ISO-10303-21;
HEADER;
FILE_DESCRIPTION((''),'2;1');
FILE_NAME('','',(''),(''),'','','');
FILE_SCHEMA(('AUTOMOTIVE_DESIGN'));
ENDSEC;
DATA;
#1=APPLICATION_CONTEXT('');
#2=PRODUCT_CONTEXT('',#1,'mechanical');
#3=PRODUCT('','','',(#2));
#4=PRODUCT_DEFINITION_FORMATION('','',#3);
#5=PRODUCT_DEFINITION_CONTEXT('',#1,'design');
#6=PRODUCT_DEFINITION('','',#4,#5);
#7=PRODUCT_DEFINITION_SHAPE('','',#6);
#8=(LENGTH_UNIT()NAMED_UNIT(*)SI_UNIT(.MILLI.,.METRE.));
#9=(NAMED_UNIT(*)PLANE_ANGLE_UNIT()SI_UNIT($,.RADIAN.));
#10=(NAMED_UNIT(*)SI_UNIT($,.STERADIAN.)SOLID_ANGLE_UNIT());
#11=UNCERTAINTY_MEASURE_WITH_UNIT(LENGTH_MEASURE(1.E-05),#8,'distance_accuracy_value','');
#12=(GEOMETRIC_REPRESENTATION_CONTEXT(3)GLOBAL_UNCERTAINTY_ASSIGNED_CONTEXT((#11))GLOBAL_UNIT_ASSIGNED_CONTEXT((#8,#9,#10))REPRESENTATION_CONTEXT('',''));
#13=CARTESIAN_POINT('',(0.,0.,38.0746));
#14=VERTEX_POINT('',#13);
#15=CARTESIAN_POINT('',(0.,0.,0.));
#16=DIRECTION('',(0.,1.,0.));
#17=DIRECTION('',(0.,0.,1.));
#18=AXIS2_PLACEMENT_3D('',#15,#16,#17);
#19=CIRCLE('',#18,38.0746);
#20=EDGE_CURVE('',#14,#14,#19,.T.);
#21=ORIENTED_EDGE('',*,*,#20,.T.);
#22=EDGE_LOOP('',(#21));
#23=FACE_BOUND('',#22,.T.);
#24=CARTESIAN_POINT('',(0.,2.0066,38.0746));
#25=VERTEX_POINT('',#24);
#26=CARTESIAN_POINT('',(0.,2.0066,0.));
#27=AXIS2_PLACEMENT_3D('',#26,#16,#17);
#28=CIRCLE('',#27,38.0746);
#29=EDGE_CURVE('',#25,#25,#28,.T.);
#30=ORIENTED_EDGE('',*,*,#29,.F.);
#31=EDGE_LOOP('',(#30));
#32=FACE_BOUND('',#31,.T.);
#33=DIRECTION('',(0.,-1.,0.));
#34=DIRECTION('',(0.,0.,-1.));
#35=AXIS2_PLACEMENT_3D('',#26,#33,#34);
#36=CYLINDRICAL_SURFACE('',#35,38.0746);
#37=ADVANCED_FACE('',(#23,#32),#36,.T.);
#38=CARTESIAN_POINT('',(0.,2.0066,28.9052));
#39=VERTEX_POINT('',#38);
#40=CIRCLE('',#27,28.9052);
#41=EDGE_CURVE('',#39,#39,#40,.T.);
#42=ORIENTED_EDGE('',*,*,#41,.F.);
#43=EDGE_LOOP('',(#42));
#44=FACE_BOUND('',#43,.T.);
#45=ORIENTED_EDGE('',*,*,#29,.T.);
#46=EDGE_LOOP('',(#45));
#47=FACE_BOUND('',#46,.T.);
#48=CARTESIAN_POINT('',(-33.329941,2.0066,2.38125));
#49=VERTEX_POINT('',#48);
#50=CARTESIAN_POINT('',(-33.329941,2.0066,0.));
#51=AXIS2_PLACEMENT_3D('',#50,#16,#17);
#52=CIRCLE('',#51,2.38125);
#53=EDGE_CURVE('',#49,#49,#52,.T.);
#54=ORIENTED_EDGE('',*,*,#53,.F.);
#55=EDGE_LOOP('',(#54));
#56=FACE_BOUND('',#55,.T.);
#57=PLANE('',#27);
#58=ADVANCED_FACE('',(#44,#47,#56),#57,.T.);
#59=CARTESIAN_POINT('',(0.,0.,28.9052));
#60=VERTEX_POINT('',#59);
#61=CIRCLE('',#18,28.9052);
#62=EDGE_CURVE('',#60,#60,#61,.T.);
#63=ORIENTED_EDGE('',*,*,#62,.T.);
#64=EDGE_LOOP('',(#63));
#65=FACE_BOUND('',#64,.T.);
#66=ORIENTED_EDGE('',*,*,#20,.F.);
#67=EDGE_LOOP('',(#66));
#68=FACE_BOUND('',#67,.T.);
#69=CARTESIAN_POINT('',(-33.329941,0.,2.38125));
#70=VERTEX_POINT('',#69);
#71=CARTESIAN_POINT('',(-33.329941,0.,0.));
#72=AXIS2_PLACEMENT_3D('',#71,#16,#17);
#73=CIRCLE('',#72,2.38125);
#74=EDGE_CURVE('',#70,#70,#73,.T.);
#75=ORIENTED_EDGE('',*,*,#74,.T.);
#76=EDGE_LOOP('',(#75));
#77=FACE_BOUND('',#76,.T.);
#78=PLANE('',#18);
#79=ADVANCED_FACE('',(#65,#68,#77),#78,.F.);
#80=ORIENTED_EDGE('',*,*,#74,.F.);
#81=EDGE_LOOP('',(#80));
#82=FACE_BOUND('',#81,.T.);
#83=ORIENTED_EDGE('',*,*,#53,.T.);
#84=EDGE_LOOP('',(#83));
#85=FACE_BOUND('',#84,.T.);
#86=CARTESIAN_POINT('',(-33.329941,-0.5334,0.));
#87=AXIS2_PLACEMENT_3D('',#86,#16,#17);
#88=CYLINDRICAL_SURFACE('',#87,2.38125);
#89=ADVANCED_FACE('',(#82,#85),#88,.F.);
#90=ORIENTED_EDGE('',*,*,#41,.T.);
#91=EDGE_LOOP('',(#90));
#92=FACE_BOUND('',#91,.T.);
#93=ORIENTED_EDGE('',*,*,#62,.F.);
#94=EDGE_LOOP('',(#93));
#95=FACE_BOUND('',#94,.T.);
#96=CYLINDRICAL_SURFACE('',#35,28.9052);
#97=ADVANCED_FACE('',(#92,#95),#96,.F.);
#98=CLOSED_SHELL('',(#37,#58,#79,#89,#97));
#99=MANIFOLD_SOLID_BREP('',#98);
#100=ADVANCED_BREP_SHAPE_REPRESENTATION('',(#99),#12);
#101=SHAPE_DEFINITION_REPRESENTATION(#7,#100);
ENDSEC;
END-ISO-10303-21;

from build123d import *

# Parameters (mm, degrees)
SKETCH1_R           = 38.0746
SKETCH1_R_2         = 28.9052
BOSS_EXTRUDE1_DEPTH = 2.0066
SKETCH2_R           = 2.38125
CUT_EXTRUDE2_DEPTH  = 2.54


with BuildPart() as part:
    # Sketch1 → Boss-Extrude1 (new body)
    with BuildSketch(Plane(origin=(0, 0, 0), x_dir=(1, 0, 0), z_dir=(0, 1, 0))):
        with Locations(Location((0, 0, 0), (0, 0, 270))):
            Circle(SKETCH1_R)
        with Locations(Location((0, 0, 0), (0, 0, 270))):
            Circle(SKETCH1_R_2, mode=Mode.SUBTRACT)
    extrude(amount=BOSS_EXTRUDE1_DEPTH)

    # Sketch2 → Cut-Extrude2 (cut)
    with BuildSketch(Plane(origin=(0, 2.0066, 0), x_dir=(1, 0, 0), z_dir=(0, 1, 0))):
        with Locations(Location((-33.329941143, 0, 0), (0, 0, 270))):
            Circle(SKETCH2_R)
    extrude(amount=-CUT_EXTRUDE2_DEPTH, mode=Mode.SUBTRACT)


solid = part.part
